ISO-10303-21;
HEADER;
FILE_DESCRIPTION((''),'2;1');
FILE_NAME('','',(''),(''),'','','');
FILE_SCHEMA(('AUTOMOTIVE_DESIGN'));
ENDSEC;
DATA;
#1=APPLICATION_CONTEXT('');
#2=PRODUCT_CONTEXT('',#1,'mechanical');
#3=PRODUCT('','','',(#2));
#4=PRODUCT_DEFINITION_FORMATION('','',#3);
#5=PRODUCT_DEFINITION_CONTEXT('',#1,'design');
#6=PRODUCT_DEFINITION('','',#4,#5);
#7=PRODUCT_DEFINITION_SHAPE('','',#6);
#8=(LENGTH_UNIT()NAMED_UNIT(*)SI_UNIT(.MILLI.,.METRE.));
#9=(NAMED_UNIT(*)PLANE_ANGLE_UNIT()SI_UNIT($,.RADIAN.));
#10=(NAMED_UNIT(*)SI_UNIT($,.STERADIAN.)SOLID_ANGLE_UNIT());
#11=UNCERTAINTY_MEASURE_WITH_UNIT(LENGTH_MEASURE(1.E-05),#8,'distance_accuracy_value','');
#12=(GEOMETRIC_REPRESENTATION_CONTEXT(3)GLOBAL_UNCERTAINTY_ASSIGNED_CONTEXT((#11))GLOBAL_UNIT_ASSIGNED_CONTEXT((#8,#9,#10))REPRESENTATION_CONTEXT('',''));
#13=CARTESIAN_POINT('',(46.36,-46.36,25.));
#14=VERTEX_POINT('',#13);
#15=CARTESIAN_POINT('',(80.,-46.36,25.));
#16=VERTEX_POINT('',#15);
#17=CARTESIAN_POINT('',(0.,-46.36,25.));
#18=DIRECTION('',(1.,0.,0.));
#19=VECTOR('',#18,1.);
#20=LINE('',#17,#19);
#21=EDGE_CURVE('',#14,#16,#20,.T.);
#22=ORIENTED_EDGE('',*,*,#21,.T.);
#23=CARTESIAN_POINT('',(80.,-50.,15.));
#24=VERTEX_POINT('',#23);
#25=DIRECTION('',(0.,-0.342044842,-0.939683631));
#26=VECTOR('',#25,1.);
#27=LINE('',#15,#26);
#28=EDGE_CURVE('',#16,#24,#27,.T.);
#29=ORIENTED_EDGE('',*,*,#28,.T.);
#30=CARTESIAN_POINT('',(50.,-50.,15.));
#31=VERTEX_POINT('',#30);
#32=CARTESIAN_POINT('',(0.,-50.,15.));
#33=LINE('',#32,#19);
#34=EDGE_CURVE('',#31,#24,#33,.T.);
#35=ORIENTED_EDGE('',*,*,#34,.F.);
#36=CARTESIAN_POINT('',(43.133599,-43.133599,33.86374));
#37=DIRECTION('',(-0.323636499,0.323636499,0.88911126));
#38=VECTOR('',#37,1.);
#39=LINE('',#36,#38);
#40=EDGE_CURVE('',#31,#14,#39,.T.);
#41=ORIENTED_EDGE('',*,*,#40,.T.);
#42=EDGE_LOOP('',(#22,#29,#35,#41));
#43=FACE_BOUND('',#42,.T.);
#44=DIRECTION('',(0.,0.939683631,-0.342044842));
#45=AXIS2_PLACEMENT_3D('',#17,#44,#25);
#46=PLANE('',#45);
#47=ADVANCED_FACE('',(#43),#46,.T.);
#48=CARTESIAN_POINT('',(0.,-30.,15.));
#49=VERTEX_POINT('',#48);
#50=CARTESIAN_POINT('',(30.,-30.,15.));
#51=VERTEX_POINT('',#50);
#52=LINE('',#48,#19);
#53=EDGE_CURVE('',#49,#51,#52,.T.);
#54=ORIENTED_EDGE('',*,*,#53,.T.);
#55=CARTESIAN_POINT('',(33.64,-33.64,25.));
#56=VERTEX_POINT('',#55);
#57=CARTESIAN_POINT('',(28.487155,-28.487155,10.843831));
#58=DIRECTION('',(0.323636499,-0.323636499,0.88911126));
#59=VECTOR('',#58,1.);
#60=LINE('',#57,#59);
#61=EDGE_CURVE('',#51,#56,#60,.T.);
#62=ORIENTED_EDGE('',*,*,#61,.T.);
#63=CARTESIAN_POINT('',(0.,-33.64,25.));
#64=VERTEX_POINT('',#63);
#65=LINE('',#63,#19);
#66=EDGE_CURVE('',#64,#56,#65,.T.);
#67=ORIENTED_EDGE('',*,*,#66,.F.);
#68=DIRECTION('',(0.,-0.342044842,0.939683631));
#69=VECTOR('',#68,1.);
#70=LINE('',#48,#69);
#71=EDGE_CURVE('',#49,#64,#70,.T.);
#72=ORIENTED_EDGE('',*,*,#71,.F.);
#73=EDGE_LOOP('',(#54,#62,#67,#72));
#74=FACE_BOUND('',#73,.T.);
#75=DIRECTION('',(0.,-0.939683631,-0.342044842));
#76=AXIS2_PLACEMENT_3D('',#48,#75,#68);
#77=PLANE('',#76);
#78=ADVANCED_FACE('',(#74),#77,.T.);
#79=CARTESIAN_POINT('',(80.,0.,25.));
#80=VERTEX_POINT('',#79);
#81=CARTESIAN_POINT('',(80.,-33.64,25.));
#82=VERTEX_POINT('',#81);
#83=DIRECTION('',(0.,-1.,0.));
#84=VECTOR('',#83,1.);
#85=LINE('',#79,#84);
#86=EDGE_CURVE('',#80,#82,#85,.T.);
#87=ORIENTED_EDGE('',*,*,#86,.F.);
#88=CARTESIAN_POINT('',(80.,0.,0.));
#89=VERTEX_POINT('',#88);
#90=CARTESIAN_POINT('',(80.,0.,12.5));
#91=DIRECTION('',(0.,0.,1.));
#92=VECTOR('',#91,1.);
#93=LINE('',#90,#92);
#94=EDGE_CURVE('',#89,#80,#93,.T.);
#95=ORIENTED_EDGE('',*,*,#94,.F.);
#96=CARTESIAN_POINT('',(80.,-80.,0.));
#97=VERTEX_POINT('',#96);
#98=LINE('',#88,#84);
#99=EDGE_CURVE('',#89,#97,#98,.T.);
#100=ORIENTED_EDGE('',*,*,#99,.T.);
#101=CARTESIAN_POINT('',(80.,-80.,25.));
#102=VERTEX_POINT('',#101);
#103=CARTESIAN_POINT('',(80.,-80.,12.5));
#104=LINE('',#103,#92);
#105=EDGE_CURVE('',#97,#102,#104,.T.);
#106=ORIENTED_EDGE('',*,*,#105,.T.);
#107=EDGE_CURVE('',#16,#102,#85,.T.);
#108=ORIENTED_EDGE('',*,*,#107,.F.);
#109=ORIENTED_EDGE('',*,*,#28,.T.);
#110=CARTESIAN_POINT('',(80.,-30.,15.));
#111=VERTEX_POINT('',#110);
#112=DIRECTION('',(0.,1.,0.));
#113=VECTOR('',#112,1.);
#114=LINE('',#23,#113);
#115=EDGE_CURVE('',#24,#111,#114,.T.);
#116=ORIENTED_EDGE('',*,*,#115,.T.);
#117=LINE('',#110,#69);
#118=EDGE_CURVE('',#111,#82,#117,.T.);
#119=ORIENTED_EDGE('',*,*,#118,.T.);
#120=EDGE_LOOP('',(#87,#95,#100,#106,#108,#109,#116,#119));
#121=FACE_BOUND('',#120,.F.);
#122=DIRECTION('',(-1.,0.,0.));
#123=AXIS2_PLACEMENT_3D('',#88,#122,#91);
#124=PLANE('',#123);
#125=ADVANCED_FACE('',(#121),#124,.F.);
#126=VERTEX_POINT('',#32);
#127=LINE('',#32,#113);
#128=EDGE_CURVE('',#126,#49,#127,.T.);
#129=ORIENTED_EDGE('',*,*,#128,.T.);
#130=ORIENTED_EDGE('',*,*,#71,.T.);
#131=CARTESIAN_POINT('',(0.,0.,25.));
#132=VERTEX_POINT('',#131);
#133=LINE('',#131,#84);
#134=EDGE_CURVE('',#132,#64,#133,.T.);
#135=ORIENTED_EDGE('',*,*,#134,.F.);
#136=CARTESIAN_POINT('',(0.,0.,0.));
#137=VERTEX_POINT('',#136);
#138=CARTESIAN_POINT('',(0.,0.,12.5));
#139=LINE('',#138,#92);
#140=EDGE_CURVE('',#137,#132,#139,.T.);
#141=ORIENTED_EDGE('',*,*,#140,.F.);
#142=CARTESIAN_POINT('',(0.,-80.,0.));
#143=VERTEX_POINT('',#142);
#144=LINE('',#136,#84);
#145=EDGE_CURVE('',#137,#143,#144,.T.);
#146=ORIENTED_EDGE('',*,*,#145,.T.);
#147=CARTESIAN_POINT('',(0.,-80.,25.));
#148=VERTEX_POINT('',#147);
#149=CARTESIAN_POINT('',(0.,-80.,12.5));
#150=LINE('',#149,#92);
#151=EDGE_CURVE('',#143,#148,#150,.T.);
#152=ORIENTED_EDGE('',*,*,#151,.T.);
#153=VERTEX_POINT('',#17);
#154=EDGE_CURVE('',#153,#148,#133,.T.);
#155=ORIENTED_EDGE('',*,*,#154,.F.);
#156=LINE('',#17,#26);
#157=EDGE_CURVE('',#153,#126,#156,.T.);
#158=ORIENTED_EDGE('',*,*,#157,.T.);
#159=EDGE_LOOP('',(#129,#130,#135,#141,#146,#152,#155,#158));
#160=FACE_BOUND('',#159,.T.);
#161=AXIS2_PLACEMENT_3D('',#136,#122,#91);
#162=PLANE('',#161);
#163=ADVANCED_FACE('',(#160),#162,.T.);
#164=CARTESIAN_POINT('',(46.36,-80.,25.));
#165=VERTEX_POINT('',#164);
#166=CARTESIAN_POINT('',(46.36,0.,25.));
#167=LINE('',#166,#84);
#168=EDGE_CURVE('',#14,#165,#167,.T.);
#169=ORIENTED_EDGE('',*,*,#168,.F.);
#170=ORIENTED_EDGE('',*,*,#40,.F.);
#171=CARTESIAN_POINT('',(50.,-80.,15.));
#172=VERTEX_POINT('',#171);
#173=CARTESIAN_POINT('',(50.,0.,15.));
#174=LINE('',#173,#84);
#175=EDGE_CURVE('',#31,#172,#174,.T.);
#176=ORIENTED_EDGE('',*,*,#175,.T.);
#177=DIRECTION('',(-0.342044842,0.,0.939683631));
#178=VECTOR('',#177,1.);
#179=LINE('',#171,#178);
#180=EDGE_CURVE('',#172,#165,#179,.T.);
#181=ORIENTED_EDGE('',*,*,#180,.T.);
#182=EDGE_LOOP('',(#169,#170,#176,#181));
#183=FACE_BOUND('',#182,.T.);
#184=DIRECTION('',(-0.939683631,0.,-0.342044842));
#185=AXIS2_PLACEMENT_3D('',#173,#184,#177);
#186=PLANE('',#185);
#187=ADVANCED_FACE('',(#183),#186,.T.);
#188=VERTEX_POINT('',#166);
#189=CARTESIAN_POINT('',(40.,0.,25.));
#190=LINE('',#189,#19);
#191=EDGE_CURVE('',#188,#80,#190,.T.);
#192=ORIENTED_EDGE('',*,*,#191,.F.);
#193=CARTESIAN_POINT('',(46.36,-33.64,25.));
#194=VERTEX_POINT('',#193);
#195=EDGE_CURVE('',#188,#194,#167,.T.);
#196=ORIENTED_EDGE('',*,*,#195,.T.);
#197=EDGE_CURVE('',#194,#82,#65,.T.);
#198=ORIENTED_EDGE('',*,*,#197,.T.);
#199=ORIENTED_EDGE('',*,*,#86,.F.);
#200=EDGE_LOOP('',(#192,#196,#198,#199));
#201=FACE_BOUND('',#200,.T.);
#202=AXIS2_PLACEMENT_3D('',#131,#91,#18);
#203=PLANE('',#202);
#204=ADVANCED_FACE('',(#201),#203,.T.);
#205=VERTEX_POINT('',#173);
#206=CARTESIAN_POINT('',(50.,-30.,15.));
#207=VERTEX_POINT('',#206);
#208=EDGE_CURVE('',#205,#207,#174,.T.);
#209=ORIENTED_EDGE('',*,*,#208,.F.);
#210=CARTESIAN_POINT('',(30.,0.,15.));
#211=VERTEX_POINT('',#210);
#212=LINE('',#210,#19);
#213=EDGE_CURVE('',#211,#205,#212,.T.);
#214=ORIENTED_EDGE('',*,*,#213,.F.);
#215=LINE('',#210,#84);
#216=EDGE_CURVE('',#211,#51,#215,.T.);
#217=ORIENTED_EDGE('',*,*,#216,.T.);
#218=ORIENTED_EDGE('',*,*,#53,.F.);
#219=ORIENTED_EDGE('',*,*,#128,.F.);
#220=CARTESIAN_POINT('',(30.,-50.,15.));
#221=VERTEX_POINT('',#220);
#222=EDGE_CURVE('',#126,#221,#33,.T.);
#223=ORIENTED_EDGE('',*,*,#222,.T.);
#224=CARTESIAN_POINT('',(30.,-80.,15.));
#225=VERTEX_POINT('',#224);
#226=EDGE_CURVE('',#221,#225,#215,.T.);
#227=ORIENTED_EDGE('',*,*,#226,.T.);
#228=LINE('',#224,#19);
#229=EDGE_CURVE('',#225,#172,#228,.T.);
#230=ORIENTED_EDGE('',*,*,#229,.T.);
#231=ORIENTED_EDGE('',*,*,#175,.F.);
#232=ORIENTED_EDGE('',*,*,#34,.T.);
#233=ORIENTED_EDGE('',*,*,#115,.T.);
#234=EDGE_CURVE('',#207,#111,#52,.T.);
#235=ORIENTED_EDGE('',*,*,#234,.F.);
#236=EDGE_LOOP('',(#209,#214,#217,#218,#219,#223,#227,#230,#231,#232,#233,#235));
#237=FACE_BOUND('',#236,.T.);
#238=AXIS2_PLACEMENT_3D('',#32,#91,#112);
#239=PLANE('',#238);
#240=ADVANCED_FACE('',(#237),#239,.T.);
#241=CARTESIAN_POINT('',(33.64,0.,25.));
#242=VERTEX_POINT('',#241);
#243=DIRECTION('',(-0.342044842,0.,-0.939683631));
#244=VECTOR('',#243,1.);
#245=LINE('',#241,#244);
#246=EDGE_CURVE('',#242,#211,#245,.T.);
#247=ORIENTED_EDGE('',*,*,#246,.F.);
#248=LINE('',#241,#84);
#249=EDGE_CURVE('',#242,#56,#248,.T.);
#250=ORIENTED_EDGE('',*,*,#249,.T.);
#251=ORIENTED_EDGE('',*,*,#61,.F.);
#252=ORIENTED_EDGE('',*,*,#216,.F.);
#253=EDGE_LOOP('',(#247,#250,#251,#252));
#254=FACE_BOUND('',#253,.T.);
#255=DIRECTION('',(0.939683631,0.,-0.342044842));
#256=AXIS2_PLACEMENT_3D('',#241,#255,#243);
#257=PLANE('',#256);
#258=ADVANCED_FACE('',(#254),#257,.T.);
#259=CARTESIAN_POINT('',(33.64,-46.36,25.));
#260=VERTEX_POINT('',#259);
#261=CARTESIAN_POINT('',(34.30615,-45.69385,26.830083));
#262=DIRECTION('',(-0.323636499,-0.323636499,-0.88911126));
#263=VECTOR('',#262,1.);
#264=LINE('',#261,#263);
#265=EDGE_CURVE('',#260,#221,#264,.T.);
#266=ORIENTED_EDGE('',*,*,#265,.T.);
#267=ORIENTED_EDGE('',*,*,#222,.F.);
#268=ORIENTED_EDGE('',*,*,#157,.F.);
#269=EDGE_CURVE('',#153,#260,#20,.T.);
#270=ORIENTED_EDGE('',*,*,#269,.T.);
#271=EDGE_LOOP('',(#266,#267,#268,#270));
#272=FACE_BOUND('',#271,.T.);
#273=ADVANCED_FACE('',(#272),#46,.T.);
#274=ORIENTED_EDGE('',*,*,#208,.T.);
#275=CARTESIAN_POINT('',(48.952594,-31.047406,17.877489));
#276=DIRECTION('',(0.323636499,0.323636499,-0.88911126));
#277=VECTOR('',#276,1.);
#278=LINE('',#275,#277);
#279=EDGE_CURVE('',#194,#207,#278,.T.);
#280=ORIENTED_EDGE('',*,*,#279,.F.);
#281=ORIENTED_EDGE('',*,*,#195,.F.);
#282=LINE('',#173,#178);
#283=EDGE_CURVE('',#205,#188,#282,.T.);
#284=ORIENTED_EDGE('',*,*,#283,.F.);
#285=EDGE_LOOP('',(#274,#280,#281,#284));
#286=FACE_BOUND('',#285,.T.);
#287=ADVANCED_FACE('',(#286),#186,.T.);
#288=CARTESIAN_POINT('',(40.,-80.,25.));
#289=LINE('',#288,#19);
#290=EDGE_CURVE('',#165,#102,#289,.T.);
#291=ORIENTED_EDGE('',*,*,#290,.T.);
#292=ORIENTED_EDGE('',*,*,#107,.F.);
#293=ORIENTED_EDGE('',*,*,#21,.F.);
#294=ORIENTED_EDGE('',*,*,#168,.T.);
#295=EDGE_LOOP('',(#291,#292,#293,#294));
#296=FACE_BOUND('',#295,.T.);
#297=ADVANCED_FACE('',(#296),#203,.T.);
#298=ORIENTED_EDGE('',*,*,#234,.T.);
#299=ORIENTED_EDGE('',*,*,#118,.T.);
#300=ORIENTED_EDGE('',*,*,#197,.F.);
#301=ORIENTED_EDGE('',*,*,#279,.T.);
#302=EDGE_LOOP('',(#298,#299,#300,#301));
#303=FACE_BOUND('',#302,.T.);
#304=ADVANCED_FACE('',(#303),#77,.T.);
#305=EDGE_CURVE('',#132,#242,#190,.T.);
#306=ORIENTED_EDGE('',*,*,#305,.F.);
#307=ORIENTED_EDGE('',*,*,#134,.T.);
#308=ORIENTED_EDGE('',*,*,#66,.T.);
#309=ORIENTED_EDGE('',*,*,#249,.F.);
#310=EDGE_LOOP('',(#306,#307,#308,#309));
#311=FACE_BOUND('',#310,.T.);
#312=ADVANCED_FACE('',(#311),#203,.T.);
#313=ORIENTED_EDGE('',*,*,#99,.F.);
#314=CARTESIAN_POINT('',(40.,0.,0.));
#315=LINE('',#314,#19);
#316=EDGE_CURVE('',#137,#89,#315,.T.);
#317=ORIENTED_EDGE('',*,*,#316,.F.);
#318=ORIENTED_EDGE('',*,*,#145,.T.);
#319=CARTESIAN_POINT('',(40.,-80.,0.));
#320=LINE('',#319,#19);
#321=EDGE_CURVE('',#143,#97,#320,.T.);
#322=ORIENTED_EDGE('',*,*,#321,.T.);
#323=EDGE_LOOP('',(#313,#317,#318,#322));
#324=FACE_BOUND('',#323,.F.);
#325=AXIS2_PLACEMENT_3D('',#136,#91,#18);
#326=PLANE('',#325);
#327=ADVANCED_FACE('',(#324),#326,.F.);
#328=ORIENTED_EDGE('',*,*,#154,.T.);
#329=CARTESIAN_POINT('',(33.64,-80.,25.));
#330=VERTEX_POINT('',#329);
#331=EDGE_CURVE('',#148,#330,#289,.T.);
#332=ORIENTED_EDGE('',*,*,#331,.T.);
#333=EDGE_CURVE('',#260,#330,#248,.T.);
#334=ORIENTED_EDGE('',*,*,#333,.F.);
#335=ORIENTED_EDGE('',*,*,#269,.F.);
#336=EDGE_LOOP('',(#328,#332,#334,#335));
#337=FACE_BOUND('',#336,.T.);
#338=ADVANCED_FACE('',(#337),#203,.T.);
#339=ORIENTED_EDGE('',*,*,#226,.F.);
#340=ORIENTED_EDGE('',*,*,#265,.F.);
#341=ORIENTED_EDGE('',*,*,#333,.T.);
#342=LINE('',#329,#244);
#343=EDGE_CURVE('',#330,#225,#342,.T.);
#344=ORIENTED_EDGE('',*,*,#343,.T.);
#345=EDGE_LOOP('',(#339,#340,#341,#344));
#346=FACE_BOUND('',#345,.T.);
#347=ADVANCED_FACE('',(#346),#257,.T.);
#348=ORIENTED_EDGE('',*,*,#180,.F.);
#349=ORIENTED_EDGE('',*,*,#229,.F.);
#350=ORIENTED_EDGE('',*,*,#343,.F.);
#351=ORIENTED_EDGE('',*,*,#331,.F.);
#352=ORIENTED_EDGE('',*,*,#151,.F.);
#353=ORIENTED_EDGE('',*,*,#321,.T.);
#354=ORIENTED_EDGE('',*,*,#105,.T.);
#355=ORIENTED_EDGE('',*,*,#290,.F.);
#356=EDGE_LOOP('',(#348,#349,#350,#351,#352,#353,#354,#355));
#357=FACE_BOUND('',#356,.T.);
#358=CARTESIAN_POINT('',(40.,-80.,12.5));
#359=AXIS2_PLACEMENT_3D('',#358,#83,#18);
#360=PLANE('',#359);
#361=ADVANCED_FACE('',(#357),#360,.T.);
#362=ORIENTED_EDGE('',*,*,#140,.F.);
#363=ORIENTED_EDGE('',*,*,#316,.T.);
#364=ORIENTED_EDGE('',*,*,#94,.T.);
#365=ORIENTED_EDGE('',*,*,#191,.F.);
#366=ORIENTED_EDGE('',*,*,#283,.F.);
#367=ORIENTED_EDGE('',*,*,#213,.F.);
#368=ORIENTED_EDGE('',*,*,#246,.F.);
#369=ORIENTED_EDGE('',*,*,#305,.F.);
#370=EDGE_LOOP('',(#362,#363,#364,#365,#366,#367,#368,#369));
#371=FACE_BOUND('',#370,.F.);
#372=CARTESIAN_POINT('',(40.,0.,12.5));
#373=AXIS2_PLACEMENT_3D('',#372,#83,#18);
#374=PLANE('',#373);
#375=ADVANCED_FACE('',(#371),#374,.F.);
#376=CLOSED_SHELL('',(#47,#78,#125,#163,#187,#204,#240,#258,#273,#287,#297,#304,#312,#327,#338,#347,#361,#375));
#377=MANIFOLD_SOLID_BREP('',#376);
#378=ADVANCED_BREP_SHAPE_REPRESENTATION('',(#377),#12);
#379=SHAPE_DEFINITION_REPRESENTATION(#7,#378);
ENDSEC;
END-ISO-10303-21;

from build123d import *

# Parameters (mm, degrees)
F0_W     = 80
F0_H     = 25
F1_DEPTH = 80
F3_DEPTH = 80
F5_DEPTH = 80


with BuildPart() as f1:
    # F0 (on Front) → F1 (new body)
    with BuildSketch(Plane.XZ):
        with Locations((40, 12.5)):
            Rectangle(F0_W, F0_H)
    extrude(amount=F1_DEPTH)

    # F2 (on Right) → F3 (cut)
    with BuildSketch(Plane.YZ):
        Polygon((-50, 15), (-30, 15), (-33.64, 25), (-46.36, 25), align=None)
    extrude(amount=F3_DEPTH, mode=Mode.SUBTRACT)

    # F4 (on Front) → F5 (cut)
    with BuildSketch(Plane.XZ):
        Polygon((46.36, 25), (40, 25), (33.64, 25), (30, 15), (40, 15), (50, 15), align=None)
    extrude(amount=F5_DEPTH, mode=Mode.SUBTRACT)


solid = f1.part
